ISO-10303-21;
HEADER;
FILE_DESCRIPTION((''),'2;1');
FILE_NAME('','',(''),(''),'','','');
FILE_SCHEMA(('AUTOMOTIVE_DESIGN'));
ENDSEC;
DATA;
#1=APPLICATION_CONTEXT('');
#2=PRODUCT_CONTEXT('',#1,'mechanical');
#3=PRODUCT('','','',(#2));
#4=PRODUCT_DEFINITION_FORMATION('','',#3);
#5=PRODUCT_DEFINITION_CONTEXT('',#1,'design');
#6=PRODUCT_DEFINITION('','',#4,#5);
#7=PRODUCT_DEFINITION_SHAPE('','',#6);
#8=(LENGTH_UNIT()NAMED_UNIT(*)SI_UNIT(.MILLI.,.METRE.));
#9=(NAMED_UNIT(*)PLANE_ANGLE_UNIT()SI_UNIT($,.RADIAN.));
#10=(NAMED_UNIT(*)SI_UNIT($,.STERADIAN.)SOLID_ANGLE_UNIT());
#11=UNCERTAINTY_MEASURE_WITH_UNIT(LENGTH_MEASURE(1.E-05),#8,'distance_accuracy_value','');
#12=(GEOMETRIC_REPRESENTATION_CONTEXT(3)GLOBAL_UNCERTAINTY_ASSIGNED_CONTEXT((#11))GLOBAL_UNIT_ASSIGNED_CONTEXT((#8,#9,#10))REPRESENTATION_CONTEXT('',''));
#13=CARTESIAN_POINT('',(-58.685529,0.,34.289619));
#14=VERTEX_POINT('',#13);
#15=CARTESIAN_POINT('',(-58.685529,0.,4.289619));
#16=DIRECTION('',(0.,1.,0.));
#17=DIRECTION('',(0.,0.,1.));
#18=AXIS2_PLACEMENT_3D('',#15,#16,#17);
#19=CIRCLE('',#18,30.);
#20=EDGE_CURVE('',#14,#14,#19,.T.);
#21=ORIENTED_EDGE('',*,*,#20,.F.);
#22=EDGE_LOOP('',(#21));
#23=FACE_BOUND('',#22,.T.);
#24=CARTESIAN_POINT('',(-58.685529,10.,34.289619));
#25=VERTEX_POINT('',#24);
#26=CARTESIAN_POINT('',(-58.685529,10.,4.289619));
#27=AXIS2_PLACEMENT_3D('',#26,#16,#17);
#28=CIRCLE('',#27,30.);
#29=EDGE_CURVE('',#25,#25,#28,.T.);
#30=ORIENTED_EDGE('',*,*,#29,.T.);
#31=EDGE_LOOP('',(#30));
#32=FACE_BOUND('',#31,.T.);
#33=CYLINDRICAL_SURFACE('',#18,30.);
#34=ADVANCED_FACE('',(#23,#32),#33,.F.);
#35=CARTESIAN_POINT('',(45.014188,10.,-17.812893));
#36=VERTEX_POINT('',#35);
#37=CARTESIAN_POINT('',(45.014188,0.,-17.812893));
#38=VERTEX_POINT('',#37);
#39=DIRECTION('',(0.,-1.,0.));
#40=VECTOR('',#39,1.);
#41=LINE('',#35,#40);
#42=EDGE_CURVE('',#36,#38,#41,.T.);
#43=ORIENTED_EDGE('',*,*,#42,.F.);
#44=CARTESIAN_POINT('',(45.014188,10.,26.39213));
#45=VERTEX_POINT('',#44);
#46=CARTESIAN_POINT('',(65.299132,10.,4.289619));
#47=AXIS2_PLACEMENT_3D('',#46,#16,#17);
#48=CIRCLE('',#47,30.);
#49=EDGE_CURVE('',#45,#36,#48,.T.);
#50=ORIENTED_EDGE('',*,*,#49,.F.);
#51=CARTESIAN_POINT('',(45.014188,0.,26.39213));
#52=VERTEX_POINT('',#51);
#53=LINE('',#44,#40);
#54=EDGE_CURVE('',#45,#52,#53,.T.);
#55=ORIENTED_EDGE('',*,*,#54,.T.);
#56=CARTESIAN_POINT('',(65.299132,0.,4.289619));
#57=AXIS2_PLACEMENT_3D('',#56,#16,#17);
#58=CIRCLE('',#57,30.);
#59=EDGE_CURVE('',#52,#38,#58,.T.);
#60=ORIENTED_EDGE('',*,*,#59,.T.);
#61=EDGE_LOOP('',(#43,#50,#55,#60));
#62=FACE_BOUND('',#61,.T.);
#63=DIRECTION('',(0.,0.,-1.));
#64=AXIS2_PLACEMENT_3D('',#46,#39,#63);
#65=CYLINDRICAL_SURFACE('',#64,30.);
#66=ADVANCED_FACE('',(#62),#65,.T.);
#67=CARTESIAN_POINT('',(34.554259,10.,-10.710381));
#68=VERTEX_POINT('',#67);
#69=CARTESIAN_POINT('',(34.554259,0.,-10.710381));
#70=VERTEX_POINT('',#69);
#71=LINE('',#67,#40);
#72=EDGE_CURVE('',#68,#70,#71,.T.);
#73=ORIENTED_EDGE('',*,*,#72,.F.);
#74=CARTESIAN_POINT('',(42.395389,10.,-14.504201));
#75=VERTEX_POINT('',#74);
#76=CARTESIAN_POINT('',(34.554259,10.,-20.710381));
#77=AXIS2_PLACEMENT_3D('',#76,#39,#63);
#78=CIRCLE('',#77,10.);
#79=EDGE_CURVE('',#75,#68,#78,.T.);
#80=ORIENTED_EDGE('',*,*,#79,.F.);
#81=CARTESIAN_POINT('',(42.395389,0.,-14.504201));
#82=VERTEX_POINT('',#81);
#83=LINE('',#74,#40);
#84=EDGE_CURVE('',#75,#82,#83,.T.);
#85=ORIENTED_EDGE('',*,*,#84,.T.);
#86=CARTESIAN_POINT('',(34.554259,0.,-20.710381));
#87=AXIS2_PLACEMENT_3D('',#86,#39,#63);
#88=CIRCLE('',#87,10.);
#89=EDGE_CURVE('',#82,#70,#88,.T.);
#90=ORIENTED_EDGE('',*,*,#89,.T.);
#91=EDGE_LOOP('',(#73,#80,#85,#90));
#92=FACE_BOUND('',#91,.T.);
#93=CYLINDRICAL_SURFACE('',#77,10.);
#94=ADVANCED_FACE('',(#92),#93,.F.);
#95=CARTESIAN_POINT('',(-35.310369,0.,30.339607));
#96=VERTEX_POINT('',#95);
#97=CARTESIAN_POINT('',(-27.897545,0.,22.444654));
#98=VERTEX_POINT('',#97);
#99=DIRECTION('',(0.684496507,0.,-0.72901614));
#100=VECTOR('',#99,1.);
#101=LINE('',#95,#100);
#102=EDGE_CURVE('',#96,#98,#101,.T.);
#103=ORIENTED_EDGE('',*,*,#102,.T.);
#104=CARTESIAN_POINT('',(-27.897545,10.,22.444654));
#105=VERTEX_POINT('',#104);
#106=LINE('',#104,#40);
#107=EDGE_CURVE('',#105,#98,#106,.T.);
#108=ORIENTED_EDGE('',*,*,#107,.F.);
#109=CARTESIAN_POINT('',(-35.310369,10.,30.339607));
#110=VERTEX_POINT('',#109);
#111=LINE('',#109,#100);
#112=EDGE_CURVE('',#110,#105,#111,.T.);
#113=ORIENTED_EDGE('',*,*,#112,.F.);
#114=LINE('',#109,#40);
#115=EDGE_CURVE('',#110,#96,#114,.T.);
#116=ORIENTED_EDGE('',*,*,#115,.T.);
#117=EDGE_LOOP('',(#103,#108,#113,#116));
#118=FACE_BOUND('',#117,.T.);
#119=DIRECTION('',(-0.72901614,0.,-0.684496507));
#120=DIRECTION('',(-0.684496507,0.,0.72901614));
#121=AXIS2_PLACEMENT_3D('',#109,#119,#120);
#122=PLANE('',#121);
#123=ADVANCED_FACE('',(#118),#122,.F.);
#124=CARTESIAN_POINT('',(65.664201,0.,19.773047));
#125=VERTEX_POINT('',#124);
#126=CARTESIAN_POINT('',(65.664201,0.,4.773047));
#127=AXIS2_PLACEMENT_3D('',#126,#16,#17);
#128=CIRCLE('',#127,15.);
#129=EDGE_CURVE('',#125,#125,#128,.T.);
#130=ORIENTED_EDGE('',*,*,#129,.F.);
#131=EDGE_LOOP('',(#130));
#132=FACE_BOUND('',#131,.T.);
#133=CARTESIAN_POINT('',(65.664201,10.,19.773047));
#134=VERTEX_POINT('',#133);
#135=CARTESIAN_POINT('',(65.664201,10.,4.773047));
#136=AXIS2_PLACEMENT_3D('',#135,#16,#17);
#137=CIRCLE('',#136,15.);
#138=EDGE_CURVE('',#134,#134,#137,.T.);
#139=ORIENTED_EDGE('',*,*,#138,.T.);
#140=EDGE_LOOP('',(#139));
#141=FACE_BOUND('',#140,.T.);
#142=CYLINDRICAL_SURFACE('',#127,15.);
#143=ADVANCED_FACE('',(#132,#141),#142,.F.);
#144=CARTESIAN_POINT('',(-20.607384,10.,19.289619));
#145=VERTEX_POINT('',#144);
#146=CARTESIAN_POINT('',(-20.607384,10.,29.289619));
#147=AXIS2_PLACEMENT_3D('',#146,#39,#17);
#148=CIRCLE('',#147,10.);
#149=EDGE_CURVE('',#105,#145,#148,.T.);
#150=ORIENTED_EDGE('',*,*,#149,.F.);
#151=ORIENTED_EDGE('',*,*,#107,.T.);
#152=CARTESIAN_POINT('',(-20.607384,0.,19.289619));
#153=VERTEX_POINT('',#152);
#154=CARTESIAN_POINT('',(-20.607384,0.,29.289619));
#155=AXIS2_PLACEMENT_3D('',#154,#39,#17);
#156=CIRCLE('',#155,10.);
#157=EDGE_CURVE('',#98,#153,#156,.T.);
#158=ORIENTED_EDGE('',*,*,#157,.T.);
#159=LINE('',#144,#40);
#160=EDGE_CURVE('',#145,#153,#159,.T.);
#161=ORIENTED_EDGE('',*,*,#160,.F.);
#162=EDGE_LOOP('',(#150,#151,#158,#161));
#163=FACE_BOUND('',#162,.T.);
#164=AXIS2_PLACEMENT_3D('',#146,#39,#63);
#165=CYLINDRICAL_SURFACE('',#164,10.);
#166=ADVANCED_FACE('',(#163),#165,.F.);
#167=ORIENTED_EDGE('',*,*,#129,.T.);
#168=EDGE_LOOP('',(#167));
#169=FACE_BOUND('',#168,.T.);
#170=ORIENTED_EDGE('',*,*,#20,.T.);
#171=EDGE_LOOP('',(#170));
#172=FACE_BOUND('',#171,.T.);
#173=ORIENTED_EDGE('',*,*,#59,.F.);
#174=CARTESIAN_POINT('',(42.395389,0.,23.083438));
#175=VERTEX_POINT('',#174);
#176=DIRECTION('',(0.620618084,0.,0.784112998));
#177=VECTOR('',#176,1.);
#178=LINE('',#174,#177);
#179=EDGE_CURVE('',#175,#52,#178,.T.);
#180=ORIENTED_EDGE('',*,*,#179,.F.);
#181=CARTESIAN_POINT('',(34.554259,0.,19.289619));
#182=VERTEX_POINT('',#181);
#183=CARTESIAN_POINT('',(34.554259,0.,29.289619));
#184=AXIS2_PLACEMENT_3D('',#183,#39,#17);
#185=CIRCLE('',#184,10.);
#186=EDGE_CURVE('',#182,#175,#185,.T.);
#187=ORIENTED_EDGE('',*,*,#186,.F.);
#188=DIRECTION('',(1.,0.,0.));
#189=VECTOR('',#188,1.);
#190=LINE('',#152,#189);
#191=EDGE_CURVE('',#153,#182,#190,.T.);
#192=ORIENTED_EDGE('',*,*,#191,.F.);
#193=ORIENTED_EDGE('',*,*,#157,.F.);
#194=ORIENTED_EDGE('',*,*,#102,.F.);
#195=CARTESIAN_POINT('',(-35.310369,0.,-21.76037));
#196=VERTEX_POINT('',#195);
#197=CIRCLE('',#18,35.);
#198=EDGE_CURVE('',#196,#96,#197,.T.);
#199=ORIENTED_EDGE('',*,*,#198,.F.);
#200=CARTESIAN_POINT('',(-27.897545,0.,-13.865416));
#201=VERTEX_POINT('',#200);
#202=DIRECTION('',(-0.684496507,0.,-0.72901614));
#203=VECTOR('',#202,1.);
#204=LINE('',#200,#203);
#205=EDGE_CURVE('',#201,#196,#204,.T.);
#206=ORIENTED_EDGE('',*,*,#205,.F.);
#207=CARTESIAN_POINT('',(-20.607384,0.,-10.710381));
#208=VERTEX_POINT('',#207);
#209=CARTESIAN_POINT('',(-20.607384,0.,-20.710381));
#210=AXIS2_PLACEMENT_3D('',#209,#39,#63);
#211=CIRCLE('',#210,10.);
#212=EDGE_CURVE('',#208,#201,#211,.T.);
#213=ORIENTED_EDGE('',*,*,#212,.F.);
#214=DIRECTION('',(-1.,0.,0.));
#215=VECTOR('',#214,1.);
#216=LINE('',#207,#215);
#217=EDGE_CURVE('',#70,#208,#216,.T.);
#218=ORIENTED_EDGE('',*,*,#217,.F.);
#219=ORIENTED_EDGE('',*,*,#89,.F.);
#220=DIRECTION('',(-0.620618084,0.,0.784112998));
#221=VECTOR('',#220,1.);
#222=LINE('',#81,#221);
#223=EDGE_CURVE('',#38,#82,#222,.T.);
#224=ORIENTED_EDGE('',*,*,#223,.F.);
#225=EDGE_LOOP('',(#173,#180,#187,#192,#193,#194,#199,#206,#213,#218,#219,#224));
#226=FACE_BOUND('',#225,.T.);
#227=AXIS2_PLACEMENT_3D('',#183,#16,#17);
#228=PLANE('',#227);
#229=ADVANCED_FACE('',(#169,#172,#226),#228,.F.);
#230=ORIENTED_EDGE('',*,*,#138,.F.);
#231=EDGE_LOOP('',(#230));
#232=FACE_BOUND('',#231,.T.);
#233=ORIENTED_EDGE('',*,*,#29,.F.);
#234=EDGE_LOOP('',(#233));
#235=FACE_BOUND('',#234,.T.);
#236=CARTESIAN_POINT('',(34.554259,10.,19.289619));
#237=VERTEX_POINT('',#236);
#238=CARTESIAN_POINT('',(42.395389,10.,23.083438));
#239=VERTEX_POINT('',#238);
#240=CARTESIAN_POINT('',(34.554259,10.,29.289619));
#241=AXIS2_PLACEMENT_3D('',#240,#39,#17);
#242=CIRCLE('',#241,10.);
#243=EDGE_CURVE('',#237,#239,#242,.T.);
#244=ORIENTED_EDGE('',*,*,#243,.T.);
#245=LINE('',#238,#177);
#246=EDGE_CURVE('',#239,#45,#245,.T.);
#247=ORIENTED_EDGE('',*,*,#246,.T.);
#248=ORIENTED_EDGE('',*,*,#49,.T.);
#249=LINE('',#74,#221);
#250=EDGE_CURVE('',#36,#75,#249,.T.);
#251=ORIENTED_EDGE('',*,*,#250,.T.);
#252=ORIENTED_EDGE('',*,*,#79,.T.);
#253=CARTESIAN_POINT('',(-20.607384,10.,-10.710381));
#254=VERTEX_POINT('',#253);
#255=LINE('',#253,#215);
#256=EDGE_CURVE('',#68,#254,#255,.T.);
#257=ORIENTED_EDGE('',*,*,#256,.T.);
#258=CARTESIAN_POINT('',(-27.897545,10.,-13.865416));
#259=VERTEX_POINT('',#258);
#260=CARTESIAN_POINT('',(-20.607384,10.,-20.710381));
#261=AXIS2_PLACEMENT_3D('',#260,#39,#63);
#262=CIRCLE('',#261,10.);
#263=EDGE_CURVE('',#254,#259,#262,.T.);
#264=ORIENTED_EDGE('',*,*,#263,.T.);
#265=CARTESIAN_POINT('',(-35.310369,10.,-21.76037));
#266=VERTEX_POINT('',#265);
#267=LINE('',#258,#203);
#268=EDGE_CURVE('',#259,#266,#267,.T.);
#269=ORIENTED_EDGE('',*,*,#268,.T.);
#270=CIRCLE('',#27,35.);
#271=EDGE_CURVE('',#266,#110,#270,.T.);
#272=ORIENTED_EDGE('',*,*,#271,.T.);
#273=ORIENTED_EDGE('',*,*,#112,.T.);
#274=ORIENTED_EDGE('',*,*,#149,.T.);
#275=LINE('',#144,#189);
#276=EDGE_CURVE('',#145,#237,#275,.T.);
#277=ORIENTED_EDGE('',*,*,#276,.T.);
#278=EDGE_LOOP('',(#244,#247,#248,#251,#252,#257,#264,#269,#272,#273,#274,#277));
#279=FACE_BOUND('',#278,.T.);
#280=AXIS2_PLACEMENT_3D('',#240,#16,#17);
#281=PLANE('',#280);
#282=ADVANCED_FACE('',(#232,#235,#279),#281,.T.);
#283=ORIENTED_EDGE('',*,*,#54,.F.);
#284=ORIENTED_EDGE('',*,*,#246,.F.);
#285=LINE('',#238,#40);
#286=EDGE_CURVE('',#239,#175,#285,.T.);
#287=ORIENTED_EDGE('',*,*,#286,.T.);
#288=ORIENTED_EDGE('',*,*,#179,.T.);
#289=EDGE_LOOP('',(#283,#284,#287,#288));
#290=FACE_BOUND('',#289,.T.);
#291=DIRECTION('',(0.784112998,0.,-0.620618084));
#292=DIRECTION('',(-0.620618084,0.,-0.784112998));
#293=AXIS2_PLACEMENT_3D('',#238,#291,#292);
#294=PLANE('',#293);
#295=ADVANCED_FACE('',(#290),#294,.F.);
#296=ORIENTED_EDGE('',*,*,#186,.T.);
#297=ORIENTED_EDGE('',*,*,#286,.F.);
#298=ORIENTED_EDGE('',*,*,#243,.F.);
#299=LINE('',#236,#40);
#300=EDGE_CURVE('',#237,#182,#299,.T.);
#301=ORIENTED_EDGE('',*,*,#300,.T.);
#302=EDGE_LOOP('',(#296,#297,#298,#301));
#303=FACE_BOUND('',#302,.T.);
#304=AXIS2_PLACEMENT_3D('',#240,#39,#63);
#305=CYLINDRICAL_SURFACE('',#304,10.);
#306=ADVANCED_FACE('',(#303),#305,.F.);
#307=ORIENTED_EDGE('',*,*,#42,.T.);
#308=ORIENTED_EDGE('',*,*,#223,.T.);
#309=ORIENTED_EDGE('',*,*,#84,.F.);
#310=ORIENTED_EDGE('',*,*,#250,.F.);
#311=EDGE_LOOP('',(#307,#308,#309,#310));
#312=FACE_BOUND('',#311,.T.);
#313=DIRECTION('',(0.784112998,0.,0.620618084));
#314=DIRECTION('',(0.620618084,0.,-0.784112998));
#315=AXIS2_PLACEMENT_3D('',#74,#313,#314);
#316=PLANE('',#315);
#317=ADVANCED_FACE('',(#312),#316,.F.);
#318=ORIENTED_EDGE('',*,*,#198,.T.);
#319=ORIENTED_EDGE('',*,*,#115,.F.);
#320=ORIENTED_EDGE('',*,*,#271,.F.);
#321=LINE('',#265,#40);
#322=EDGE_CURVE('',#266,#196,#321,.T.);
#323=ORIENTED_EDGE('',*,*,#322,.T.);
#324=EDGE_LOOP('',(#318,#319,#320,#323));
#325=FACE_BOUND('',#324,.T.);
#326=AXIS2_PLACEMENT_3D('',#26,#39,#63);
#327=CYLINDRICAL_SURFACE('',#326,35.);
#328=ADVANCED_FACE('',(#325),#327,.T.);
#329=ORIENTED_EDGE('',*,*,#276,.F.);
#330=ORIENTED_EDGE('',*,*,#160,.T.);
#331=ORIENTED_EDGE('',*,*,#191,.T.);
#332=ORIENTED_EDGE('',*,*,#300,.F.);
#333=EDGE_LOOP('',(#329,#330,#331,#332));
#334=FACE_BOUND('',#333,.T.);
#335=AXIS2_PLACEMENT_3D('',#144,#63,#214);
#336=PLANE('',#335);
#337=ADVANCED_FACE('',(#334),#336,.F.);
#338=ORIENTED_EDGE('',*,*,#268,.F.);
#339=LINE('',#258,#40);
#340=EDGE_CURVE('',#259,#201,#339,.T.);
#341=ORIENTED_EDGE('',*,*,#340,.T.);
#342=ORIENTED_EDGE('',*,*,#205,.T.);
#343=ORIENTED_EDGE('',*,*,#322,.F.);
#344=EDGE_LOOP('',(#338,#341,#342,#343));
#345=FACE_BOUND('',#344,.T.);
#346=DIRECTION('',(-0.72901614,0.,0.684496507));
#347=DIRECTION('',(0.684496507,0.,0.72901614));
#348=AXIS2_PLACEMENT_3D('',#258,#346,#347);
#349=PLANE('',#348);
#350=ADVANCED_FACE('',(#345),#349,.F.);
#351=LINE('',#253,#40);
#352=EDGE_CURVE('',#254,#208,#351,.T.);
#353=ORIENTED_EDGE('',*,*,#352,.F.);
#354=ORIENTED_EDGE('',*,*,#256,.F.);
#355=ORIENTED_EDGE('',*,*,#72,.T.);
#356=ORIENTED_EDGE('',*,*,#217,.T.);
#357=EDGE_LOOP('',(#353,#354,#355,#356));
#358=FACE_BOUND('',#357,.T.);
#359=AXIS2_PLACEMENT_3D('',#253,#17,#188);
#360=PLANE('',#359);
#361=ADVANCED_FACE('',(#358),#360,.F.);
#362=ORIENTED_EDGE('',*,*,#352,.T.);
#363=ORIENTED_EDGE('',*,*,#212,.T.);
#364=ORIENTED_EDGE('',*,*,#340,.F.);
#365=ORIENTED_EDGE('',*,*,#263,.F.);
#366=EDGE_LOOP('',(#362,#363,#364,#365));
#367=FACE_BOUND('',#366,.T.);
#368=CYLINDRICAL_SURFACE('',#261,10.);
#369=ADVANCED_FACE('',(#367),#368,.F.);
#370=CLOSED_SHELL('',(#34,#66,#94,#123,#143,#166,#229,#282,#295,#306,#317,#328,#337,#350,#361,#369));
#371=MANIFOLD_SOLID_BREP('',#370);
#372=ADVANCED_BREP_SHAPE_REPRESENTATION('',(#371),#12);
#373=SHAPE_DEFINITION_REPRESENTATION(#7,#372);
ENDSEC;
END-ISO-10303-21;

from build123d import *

# Parameters (mm, degrees)
SKETCH1_R           = 0.605786837
BOSS_EXTRUDE1_DEPTH = 10
SKETCH3_R           = 30
SKETCH3_R_2         = 15
CUT_EXTRUDE1_DEPTH  = 10


with BuildPart() as part:
    # Sketch1 → Boss-Extrude1 (new body)
    with BuildSketch(Plane(origin=(0, 0, 0), x_dir=(1, 0, 0), z_dir=(0, 1, 0))):
        with BuildLine():
            Line((42.395388783, 14.504200511), (45.014187909, 17.812893064))
            ThreePointArc((45.014187909, 17.812893064), (95.299132477, -4.289618646), (45.014187909, -26.392130356))
            Line((45.014187909, -26.392130356), (42.395388783, -23.083437803))
            ThreePointArc((42.395388783, -23.083437803), (38.909611349, -20.287901909), (34.554258804, -19.289618646))
            Line((34.554258804, -19.289618646), (-20.607383501, -19.289618646))
            ThreePointArc((-20.607383501, -19.289618646), (-24.579180908, -20.112210224), (-27.897544897, -22.444653576))
            Line((-27.897544897, -22.444653576), (-35.310368622, -30.339607137))
            ThreePointArc((-35.310368622, -30.339607137), (-93.685528507, -4.289618646), (-35.310368622, 21.760369845))
            Line((-35.310368622, 21.760369845), (-27.897544897, 13.865416283))
            ThreePointArc((-27.897544897, 13.865416283), (-24.579180908, 11.532972931), (-20.607383501, 10.710381354))
            Line((-20.607383501, 10.710381354), (34.554258804, 10.710381354))
            ThreePointArc((34.554258804, 10.710381354), (38.909611349, 11.708664617), (42.395388783, 14.504200511))
        make_face()
        with Locations(Location((65.299132477, -4.289618646, 0), (0, 0, 270))):
            Circle(SKETCH1_R, mode=Mode.SUBTRACT)
    extrude(amount=BOSS_EXTRUDE1_DEPTH)

    # Sketch3 → Cut-Extrude1 (cut)
    with BuildSketch(Plane(origin=(0, 10, 0), x_dir=(1, 0, 0), z_dir=(0, 1, 0))):
        with Locations(Location((-58.685528507, -4.289618646, 0), (0, 0, 270))):
            Circle(SKETCH3_R)
        with Locations(Location((65.664200703, -4.773046906, 0), (0, 0, 270))):
            Circle(SKETCH3_R_2)
    extrude(amount=-CUT_EXTRUDE1_DEPTH, mode=Mode.SUBTRACT)


solid = part.part
